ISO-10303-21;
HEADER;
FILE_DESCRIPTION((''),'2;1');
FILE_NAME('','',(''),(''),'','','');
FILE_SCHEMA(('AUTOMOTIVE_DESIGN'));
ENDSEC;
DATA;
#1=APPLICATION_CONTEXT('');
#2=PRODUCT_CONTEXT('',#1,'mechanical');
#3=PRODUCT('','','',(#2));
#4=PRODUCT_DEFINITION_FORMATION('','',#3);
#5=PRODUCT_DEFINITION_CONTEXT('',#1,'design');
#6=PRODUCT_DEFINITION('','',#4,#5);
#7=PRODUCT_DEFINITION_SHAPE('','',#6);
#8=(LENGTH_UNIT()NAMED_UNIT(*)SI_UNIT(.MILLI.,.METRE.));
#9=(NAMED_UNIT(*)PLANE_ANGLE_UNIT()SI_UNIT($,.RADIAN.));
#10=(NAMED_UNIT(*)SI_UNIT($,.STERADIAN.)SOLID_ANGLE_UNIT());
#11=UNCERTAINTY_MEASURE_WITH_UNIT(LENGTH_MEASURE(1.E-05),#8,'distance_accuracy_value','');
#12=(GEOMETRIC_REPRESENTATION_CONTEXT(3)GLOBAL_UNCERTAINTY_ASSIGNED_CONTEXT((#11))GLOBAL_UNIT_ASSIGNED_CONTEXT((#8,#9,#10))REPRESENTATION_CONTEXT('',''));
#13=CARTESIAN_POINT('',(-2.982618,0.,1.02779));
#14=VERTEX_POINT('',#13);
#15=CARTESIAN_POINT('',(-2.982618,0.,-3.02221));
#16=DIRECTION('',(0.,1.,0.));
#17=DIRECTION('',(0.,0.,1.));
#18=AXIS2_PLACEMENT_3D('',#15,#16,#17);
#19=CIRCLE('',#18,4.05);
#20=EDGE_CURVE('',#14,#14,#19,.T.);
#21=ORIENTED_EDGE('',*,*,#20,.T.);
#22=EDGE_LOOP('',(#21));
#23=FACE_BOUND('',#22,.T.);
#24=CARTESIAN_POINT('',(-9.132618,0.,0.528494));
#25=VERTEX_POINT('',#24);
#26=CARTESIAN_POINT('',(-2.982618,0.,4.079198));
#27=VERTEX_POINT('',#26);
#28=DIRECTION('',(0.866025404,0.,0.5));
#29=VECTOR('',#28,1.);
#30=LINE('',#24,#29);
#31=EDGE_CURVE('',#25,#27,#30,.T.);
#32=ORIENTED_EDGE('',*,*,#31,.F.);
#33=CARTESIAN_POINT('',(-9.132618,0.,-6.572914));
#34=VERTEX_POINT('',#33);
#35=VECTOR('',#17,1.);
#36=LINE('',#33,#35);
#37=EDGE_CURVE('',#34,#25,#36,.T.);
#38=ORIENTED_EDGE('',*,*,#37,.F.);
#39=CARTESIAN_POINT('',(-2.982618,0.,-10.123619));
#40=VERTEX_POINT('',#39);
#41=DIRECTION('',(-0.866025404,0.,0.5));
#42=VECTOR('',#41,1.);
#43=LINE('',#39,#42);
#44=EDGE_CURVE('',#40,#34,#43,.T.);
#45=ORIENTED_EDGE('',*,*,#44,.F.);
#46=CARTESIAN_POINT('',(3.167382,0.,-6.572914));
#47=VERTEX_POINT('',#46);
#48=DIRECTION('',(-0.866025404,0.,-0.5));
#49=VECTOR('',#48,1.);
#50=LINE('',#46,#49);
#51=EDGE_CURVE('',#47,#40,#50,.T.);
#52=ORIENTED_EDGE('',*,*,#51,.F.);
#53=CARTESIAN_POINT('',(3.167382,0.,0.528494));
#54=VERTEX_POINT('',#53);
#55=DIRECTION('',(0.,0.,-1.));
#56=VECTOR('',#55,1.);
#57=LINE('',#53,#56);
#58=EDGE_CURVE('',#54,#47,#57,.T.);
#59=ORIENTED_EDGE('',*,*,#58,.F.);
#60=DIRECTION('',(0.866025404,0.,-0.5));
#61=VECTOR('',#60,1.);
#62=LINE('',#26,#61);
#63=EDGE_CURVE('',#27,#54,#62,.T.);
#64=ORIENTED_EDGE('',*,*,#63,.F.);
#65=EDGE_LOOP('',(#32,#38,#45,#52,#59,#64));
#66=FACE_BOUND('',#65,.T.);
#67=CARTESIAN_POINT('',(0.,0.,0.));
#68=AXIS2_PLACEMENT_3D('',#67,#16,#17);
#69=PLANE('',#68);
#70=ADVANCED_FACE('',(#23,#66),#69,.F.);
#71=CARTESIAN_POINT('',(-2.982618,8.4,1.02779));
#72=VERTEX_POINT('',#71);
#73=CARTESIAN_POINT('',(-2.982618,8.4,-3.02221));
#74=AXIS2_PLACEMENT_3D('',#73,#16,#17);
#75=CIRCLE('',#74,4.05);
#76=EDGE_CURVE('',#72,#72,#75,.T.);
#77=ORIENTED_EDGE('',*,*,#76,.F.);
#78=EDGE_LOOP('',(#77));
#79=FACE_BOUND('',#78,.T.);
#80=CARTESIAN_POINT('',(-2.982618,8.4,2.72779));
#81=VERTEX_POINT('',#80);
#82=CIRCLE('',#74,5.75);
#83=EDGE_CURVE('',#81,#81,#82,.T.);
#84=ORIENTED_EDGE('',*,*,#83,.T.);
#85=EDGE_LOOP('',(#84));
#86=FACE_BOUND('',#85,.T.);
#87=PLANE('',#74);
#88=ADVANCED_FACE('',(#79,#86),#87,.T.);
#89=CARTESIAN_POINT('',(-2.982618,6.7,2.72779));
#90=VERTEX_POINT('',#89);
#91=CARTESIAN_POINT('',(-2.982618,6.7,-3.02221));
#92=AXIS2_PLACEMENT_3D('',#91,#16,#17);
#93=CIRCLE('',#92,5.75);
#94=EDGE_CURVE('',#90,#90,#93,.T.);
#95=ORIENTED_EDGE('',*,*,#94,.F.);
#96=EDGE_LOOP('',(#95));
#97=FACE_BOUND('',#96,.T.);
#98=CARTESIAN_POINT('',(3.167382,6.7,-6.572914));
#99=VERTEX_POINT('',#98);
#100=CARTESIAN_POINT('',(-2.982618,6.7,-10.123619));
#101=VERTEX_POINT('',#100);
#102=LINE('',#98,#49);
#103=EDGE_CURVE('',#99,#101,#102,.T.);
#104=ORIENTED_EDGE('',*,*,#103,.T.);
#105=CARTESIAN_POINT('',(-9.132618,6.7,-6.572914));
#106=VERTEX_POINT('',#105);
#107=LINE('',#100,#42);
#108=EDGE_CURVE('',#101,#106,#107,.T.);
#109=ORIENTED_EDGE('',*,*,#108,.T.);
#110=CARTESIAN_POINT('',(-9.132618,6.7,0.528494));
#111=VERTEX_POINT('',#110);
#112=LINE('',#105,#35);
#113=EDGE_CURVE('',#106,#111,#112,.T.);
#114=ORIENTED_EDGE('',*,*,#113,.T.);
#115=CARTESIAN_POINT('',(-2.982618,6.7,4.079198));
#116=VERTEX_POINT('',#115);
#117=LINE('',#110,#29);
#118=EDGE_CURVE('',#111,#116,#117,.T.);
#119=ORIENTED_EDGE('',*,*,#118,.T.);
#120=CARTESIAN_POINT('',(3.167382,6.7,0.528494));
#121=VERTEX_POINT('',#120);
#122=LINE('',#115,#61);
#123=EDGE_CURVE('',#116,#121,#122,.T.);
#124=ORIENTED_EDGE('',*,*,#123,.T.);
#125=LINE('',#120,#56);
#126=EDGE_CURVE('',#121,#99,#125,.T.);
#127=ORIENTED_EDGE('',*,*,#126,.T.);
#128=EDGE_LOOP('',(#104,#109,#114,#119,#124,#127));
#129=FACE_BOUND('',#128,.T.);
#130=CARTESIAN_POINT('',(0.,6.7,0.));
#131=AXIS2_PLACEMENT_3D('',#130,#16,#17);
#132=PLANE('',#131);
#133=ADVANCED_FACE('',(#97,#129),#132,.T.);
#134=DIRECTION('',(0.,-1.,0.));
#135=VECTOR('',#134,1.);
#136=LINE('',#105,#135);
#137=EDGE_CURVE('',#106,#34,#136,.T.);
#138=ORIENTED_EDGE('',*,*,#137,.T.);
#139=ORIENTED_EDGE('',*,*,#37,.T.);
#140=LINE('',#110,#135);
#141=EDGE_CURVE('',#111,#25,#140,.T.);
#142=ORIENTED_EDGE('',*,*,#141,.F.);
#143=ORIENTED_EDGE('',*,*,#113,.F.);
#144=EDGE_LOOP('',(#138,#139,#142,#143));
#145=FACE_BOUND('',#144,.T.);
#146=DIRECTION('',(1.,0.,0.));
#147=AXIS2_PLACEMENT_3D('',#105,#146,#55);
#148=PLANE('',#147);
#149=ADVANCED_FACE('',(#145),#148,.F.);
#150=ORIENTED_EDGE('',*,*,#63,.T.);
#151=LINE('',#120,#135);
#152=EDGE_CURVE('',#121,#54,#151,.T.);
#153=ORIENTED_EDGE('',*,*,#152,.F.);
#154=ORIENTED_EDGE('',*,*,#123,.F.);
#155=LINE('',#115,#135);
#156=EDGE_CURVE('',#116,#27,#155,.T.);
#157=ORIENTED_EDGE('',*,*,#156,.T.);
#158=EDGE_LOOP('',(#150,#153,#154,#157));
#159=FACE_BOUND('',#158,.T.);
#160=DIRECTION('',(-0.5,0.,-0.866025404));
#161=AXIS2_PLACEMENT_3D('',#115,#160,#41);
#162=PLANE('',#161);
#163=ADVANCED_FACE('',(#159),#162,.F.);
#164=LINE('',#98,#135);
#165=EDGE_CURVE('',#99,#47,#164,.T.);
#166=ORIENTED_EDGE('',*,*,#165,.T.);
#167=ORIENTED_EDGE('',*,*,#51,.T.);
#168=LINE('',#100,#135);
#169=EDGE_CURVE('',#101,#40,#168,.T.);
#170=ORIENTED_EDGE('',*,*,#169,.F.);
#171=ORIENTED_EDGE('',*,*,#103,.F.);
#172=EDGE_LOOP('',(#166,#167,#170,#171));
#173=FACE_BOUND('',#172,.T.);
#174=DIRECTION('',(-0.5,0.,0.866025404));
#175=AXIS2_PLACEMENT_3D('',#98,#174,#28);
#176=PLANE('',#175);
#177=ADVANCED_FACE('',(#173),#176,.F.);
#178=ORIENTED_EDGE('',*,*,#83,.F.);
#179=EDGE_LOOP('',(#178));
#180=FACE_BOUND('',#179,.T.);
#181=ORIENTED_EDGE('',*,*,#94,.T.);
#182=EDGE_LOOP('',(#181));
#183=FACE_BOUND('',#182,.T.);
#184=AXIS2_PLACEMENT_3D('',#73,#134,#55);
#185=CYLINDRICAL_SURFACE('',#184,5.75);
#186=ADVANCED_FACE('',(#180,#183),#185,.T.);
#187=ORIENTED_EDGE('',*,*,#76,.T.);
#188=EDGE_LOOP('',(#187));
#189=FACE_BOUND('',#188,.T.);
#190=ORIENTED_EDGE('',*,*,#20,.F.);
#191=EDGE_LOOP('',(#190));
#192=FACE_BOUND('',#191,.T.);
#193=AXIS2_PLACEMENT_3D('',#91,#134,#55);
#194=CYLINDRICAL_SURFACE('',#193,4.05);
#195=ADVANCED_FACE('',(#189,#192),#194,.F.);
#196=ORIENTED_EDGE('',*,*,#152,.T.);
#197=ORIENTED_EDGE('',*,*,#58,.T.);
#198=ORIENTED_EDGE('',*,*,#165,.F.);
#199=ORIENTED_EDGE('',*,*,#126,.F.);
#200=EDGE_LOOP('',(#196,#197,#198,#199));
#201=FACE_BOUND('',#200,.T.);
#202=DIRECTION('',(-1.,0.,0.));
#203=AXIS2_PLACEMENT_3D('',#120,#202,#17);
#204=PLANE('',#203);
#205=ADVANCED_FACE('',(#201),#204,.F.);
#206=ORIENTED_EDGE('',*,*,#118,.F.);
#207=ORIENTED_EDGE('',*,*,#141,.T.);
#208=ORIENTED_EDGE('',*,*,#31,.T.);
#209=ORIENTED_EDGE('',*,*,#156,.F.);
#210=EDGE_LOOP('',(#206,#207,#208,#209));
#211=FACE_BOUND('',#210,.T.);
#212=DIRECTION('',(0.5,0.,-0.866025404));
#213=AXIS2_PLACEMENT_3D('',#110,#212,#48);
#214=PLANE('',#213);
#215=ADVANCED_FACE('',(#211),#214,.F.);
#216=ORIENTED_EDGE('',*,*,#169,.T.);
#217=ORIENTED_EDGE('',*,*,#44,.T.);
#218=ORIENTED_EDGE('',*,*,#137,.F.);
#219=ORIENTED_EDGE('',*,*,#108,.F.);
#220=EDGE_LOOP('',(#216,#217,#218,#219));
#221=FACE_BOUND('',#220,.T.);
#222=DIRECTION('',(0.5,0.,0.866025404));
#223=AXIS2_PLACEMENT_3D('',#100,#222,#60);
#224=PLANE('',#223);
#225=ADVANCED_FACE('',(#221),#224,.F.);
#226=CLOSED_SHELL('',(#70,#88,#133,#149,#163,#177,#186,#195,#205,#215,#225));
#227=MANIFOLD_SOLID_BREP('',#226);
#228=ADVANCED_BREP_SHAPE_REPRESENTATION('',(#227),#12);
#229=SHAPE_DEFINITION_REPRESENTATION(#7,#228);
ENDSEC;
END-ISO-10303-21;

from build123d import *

# Parameters (mm, degrees)
SKETCH1_R           = 4.05
BOSS_EXTRUDE1_DEPTH = 6.7
SKETCH2_R           = 5.75
SKETCH2_R_2         = 4.05
BOSS_EXTRUDE2_DEPTH = 1.7


with BuildPart() as part:
    # Sketch1 → Boss-Extrude1 (new body)
    with BuildSketch(Plane(origin=(0, 0, 0), x_dir=(1, 0, 0), z_dir=(0, 1, 0))):
        Polygon((3.167381974, -0.528493855), (3.167381974, 6.572914456), (-2.982618026, 10.123618611), (-9.132618026, 6.572914456), (-9.132618026, -0.528493855), (-2.982618026, -4.079198011), align=None)
        with Locations((-2.982618026, 3.0222103)):
            Circle(SKETCH1_R, mode=Mode.SUBTRACT)
    extrude(amount=BOSS_EXTRUDE1_DEPTH)

    # Sketch2 → Boss-Extrude2 (add)
    with BuildSketch(Plane(origin=(0, 6.7, 0), x_dir=(1, 0, 0), z_dir=(0, 1, 0))):
        with Locations((-2.982618026, 3.0222103)):
            Circle(SKETCH2_R)
        with Locations((-2.982618026, 3.0222103)):
            Circle(SKETCH2_R_2, mode=Mode.SUBTRACT)
    extrude(amount=BOSS_EXTRUDE2_DEPTH)


solid = part.part
